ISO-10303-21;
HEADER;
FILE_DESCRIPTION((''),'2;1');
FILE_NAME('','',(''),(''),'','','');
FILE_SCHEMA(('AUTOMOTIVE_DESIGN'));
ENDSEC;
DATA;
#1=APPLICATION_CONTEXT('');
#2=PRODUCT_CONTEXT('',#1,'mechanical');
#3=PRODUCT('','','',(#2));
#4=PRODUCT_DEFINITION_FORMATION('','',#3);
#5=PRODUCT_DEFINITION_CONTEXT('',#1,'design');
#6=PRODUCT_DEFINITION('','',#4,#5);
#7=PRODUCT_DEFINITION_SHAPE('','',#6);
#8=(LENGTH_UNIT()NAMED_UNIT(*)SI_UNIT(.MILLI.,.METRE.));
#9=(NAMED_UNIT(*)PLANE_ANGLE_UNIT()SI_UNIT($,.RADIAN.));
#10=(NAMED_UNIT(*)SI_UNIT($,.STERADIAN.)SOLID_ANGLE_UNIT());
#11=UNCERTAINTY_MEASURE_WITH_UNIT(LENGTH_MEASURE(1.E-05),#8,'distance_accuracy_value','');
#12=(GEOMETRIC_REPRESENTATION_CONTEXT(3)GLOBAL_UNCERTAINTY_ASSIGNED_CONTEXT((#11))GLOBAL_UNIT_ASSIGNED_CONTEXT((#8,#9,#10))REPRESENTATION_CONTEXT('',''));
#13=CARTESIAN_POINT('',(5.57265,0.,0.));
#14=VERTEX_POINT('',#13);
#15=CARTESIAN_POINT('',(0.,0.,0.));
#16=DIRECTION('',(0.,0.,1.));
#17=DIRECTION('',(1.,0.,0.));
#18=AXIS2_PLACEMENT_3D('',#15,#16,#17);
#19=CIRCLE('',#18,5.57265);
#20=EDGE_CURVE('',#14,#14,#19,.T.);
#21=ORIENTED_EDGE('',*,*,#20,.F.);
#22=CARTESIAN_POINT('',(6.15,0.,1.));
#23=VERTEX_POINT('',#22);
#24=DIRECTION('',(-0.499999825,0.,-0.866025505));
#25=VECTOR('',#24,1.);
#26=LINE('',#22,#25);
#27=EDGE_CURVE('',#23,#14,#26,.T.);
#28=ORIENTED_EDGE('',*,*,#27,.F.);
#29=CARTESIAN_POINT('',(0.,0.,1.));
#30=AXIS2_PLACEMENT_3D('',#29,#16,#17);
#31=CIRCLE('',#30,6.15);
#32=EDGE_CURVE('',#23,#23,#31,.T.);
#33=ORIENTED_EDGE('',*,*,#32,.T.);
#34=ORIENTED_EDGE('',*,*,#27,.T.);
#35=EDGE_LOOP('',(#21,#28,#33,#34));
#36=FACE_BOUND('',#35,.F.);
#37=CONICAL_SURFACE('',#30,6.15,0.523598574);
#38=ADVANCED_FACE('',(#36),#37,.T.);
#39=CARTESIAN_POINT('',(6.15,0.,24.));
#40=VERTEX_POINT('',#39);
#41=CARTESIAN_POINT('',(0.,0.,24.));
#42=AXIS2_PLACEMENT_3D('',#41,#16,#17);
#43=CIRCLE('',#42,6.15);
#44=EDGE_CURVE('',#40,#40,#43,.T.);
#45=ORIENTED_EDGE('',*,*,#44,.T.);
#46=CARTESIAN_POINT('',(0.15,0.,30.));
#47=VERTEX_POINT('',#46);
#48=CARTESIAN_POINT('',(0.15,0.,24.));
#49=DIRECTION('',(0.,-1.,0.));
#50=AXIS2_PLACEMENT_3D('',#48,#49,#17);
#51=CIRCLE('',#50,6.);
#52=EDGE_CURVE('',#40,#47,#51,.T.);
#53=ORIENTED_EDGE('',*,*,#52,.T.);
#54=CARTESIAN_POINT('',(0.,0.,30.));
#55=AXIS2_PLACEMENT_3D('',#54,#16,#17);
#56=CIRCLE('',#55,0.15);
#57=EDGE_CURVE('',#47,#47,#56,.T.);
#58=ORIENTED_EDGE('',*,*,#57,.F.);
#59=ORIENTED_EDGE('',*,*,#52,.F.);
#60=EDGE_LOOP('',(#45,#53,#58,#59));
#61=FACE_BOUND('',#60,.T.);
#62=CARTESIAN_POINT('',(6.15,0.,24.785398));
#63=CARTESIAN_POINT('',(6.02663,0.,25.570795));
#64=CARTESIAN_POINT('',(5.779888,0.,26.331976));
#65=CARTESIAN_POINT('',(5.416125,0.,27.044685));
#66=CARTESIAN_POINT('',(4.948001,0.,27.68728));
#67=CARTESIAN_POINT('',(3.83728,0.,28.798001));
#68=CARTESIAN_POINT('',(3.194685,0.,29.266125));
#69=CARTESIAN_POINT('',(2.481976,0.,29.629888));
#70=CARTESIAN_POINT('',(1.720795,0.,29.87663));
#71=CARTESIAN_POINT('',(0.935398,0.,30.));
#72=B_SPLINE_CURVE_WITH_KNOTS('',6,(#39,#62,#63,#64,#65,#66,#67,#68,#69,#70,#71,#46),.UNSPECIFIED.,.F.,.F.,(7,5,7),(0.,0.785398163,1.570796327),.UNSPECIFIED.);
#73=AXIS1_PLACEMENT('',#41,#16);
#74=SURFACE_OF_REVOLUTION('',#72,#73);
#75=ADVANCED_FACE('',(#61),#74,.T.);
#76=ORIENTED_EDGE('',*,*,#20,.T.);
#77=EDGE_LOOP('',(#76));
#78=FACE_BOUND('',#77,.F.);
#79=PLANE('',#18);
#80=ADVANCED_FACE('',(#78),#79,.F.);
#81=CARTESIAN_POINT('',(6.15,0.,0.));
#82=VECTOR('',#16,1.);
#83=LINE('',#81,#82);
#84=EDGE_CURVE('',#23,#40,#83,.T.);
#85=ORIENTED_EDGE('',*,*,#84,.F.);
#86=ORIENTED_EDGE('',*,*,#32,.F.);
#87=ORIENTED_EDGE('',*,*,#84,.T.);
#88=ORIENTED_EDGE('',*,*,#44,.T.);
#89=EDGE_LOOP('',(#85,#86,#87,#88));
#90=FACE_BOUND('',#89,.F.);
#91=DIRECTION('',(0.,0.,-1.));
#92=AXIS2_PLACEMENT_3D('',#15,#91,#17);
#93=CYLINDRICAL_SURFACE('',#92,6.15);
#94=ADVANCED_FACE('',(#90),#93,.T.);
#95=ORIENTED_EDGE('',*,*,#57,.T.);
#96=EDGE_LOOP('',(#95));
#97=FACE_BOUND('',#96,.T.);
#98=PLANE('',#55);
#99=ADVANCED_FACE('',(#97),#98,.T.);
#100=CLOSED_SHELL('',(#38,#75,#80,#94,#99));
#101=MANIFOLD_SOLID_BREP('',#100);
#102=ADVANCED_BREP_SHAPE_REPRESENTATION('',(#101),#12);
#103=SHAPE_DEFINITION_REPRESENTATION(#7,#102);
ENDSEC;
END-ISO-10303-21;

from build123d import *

# Parameters (mm, degrees)
F0_R     = 6.15
F1_DEPTH = 30
F2_R     = 6
F3_SIZE2 = 0.57735
F3_SIZE  = 1


with BuildPart() as f1:
    # F0 (on Top) → F1 (new body)
    with BuildSketch(Plane.XY):
        Circle(F0_R)
    extrude(amount=F1_DEPTH)

    # F2
    f2_edges = [f1.edges().sort_by_distance(p)[0] for p in [
        (-6.15, 0, 30),
    ]]
    fillet(f2_edges, radius=F2_R)

    # F3
    f3_edges = [f1.edges().sort_by_distance(p)[0] for p in [
        (-6.15, 0, 0),
    ]]
    chamfer(f3_edges, length=F3_SIZE, length2=F3_SIZE2)


solid = f1.part
